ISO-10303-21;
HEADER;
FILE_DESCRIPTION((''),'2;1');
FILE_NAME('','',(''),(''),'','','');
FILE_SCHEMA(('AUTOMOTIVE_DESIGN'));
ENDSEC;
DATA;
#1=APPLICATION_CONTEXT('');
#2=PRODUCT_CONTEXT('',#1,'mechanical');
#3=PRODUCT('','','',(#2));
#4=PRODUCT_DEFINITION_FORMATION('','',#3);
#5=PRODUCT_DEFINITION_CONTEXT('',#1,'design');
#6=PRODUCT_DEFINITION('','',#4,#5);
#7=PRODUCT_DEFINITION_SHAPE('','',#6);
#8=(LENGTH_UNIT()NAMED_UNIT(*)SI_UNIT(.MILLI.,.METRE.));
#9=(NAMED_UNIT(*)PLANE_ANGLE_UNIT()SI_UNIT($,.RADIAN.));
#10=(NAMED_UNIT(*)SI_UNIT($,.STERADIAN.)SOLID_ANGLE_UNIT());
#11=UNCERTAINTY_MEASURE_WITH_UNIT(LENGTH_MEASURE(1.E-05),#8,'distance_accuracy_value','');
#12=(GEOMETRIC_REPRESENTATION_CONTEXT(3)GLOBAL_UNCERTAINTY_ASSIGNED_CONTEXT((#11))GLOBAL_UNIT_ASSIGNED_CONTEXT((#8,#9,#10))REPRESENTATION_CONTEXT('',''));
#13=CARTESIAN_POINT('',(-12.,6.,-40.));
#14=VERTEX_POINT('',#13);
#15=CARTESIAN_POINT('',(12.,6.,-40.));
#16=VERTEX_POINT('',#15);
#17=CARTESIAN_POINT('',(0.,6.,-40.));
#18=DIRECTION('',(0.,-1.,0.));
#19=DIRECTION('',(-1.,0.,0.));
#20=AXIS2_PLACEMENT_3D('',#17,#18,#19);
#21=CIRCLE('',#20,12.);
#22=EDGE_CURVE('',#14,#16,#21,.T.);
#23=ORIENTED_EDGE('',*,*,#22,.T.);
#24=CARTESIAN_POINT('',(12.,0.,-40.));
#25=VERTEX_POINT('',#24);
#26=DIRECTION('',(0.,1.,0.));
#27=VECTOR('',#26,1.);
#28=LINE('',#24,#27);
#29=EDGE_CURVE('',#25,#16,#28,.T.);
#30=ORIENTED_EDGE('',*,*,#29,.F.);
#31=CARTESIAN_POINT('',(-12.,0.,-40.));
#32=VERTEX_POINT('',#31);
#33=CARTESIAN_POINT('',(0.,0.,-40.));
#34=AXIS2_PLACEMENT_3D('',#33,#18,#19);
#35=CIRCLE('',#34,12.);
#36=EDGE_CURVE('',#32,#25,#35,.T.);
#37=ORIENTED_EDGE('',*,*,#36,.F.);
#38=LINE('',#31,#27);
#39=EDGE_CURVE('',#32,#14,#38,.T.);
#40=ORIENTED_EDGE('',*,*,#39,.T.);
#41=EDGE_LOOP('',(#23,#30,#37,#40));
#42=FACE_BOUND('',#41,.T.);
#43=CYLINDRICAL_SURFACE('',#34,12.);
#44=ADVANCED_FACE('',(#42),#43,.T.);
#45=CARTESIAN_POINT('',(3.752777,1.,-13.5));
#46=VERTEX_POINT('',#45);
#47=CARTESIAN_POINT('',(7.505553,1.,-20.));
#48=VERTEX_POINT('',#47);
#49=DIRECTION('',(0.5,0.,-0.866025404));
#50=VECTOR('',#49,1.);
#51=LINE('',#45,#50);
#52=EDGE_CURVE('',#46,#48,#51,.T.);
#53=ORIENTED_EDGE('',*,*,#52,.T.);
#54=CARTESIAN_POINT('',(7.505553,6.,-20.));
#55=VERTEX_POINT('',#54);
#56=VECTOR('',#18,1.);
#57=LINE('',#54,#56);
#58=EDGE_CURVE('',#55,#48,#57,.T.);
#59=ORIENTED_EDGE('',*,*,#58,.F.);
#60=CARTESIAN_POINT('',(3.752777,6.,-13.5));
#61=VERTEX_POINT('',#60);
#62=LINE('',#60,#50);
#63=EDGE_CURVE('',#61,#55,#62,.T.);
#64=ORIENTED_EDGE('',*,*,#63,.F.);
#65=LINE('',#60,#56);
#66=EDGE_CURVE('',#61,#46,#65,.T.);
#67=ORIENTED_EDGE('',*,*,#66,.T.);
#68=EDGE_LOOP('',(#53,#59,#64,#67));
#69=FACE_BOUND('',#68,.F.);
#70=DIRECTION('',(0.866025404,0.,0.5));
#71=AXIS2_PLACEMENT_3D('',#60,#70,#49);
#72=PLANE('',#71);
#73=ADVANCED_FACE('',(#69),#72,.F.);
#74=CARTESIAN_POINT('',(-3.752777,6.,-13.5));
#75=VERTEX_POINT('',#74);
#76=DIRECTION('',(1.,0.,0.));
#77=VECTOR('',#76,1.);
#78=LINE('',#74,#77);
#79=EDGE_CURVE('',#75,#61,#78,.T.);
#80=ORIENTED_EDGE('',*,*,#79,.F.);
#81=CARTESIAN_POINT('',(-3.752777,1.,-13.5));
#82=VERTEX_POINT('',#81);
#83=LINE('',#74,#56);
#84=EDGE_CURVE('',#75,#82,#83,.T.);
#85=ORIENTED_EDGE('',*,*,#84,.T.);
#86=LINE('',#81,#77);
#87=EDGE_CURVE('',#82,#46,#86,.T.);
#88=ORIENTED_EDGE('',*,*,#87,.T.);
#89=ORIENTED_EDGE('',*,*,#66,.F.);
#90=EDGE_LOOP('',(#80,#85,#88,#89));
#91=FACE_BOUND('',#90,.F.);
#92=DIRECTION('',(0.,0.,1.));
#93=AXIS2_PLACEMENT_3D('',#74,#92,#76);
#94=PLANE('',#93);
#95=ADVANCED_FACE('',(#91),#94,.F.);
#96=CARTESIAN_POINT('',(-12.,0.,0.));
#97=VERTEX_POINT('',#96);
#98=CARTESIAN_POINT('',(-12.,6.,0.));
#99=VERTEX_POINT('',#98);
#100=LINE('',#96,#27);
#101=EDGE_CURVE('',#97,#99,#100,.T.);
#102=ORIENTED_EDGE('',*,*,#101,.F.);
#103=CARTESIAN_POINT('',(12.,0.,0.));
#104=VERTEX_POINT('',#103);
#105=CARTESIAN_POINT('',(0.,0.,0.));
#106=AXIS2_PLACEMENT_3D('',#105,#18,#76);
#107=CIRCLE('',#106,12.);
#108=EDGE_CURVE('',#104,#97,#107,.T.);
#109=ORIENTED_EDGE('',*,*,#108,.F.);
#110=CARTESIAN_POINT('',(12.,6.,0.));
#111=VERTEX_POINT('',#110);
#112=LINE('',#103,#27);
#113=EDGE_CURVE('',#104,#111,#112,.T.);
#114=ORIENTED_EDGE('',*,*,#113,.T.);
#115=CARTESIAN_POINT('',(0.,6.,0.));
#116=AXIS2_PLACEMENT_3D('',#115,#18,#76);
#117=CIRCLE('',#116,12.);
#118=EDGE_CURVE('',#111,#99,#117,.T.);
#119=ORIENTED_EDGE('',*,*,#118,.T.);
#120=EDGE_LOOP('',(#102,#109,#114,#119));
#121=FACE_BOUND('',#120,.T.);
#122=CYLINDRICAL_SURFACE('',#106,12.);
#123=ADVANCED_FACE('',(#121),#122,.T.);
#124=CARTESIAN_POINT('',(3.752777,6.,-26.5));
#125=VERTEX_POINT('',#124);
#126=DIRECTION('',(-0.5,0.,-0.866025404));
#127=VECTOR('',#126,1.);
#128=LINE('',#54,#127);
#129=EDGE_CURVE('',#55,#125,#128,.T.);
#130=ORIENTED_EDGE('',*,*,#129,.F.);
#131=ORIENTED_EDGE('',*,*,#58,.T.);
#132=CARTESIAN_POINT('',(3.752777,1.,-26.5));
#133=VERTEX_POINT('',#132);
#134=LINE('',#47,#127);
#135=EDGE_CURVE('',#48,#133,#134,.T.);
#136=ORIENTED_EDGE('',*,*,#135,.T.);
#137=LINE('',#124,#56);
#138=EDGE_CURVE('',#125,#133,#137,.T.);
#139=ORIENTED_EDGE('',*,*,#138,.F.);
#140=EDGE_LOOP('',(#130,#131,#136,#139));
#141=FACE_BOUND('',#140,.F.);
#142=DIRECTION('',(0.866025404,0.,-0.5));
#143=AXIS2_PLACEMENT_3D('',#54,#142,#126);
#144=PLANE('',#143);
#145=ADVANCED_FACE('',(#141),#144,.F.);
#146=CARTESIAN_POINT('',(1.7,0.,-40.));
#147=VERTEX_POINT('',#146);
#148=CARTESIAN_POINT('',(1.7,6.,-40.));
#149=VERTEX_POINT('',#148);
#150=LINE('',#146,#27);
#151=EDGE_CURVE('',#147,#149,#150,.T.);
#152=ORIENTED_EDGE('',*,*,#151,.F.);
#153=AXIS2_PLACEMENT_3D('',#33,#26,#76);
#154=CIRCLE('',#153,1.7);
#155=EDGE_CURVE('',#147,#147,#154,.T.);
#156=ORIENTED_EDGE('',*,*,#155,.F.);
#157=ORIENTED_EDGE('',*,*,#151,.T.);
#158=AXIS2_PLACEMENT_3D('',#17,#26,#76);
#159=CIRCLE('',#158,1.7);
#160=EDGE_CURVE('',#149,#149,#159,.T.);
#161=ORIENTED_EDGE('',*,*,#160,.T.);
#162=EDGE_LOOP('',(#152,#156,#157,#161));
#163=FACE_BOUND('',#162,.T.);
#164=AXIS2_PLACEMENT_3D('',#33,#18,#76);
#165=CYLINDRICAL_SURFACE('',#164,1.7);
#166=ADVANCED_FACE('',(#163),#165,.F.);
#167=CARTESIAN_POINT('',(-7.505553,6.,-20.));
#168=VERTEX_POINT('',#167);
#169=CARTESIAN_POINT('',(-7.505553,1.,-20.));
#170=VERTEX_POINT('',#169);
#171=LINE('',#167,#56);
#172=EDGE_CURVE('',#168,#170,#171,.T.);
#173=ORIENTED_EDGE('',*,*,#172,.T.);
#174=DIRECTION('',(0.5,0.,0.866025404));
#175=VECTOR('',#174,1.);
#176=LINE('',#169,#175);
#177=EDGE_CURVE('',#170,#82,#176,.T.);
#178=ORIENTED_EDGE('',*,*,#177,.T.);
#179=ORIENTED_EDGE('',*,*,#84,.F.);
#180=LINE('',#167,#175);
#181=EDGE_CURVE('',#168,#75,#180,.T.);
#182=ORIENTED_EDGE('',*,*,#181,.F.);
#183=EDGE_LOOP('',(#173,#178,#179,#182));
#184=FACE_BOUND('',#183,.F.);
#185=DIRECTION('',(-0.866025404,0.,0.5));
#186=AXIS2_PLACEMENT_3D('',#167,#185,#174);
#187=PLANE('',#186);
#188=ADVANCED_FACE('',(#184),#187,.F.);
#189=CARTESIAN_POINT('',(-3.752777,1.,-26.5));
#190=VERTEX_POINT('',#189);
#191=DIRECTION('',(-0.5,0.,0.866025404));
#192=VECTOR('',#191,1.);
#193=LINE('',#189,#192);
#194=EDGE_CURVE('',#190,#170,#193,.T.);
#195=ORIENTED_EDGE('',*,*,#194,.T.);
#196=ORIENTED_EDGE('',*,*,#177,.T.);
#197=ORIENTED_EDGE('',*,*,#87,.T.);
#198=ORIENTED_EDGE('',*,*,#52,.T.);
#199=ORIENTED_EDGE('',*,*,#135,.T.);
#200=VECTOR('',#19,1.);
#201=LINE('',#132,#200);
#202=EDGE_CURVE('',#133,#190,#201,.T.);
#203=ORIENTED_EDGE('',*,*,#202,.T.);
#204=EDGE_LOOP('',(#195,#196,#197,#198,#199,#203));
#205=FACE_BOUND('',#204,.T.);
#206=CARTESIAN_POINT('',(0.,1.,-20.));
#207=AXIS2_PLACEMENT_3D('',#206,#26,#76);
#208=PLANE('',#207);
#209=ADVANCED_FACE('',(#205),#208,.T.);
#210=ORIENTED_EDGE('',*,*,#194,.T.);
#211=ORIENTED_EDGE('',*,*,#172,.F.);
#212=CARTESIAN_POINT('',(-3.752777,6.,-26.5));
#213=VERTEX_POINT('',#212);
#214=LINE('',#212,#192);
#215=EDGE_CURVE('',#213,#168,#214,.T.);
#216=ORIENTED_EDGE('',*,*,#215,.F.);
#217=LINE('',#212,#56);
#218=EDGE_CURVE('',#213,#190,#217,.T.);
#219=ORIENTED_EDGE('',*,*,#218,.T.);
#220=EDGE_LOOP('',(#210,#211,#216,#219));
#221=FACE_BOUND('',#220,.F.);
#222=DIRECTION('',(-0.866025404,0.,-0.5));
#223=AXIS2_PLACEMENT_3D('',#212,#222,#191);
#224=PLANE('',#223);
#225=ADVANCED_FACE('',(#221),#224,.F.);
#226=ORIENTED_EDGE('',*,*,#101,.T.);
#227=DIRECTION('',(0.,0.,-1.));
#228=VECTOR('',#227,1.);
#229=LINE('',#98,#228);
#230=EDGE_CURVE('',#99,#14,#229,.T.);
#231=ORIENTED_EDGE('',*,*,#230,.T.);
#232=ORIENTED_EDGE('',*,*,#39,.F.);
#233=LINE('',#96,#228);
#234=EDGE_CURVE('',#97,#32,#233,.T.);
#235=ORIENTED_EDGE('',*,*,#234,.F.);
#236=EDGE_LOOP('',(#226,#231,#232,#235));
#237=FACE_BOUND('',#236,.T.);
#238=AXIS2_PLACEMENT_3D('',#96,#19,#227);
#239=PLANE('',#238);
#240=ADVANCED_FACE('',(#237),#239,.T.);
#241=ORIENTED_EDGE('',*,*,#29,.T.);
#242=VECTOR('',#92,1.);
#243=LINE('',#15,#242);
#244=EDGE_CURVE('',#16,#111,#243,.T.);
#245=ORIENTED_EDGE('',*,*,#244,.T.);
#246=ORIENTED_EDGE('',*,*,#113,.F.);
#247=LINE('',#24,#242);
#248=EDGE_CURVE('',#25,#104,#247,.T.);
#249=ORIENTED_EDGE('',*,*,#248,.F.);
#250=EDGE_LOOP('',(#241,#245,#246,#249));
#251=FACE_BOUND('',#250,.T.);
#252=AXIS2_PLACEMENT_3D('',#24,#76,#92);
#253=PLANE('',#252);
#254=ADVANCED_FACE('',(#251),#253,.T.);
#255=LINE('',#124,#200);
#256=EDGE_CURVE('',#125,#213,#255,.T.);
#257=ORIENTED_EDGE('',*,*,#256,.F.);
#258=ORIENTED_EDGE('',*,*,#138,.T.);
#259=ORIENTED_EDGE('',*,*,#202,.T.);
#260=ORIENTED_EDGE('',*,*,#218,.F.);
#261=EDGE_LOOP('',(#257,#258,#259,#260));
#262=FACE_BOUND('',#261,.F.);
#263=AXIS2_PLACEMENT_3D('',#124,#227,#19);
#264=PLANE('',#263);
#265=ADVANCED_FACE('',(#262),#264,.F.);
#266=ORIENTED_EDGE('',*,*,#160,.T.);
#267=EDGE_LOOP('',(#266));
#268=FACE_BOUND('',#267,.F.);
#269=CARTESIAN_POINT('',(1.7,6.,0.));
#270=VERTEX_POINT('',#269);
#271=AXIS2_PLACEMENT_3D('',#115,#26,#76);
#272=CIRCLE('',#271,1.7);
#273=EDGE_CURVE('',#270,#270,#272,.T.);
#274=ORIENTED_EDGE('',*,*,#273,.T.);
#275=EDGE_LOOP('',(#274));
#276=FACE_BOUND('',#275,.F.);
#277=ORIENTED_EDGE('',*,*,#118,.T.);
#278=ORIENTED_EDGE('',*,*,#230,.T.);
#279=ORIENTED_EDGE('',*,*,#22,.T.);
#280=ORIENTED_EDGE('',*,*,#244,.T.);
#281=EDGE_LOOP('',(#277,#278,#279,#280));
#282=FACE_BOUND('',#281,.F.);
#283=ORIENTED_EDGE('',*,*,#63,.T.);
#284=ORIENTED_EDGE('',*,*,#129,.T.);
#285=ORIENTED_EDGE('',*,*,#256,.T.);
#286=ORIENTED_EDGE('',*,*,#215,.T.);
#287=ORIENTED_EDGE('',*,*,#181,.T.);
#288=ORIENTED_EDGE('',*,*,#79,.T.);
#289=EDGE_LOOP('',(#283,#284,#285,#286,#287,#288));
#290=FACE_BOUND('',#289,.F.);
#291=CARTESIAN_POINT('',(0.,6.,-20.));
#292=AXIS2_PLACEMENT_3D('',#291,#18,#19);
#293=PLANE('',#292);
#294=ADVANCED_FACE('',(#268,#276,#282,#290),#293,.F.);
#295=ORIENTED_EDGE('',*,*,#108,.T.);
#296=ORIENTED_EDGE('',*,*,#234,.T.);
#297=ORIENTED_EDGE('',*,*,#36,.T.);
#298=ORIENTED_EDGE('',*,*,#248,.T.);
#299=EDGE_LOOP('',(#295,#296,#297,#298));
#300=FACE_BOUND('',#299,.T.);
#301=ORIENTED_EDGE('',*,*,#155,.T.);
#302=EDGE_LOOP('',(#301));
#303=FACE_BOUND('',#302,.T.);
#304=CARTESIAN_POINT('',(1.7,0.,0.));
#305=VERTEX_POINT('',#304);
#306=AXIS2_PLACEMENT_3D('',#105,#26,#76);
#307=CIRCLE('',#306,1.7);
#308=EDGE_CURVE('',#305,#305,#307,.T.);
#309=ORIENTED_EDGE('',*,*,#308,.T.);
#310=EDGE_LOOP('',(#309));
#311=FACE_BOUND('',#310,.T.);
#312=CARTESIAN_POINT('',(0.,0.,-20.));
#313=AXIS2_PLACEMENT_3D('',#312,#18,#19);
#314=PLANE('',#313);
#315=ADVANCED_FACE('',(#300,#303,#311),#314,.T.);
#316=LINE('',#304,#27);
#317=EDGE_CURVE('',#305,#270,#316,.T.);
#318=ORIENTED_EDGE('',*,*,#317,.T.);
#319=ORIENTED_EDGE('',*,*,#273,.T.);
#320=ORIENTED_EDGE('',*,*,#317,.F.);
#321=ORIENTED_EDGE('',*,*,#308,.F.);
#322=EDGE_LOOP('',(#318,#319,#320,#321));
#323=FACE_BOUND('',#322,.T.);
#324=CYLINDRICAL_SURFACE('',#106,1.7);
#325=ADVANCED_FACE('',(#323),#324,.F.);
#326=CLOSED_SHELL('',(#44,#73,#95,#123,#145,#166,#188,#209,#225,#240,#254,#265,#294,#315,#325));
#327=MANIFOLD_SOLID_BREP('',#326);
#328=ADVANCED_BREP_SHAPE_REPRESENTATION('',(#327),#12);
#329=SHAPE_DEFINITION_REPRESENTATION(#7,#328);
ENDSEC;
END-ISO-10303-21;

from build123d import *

# Parameters (mm, degrees)
SKETCH1_R           = 1.7
BOSS_EXTRUDE1_DEPTH = 6
CUT_EXTRUDE1_DEPTH  = 5


with BuildPart() as part:
    # Sketch1 → Boss-Extrude1 (new body)
    with BuildSketch(Plane(origin=(0, 0, 0), x_dir=(1, 0, 0), z_dir=(0, 1, 0))):
        with BuildLine():
            Line((-12, 0), (-12, 40))
            ThreePointArc((-12, 40), (0, 52), (12, 40))
            Line((12, 40), (12, 0))
            ThreePointArc((12, 0), (0, -12), (-12, 0))
        make_face()
        with Locations((0, 40)):
            Circle(SKETCH1_R, mode=Mode.SUBTRACT)
        Circle(SKETCH1_R, mode=Mode.SUBTRACT)
    extrude(amount=BOSS_EXTRUDE1_DEPTH)

    # Sketch2 → Cut-Extrude1 (cut)
    with BuildSketch(Plane(origin=(0, 6, 0), x_dir=(1, 0, 0), z_dir=(0, 1, 0))):
        Polygon((3.75277675, 13.5), (7.505553499, 20), (3.75277675, 26.5), (-3.75277675, 26.5), (-7.505553499, 20), (-3.75277675, 13.5), align=None)
    extrude(amount=-CUT_EXTRUDE1_DEPTH, mode=Mode.SUBTRACT)


solid = part.part
